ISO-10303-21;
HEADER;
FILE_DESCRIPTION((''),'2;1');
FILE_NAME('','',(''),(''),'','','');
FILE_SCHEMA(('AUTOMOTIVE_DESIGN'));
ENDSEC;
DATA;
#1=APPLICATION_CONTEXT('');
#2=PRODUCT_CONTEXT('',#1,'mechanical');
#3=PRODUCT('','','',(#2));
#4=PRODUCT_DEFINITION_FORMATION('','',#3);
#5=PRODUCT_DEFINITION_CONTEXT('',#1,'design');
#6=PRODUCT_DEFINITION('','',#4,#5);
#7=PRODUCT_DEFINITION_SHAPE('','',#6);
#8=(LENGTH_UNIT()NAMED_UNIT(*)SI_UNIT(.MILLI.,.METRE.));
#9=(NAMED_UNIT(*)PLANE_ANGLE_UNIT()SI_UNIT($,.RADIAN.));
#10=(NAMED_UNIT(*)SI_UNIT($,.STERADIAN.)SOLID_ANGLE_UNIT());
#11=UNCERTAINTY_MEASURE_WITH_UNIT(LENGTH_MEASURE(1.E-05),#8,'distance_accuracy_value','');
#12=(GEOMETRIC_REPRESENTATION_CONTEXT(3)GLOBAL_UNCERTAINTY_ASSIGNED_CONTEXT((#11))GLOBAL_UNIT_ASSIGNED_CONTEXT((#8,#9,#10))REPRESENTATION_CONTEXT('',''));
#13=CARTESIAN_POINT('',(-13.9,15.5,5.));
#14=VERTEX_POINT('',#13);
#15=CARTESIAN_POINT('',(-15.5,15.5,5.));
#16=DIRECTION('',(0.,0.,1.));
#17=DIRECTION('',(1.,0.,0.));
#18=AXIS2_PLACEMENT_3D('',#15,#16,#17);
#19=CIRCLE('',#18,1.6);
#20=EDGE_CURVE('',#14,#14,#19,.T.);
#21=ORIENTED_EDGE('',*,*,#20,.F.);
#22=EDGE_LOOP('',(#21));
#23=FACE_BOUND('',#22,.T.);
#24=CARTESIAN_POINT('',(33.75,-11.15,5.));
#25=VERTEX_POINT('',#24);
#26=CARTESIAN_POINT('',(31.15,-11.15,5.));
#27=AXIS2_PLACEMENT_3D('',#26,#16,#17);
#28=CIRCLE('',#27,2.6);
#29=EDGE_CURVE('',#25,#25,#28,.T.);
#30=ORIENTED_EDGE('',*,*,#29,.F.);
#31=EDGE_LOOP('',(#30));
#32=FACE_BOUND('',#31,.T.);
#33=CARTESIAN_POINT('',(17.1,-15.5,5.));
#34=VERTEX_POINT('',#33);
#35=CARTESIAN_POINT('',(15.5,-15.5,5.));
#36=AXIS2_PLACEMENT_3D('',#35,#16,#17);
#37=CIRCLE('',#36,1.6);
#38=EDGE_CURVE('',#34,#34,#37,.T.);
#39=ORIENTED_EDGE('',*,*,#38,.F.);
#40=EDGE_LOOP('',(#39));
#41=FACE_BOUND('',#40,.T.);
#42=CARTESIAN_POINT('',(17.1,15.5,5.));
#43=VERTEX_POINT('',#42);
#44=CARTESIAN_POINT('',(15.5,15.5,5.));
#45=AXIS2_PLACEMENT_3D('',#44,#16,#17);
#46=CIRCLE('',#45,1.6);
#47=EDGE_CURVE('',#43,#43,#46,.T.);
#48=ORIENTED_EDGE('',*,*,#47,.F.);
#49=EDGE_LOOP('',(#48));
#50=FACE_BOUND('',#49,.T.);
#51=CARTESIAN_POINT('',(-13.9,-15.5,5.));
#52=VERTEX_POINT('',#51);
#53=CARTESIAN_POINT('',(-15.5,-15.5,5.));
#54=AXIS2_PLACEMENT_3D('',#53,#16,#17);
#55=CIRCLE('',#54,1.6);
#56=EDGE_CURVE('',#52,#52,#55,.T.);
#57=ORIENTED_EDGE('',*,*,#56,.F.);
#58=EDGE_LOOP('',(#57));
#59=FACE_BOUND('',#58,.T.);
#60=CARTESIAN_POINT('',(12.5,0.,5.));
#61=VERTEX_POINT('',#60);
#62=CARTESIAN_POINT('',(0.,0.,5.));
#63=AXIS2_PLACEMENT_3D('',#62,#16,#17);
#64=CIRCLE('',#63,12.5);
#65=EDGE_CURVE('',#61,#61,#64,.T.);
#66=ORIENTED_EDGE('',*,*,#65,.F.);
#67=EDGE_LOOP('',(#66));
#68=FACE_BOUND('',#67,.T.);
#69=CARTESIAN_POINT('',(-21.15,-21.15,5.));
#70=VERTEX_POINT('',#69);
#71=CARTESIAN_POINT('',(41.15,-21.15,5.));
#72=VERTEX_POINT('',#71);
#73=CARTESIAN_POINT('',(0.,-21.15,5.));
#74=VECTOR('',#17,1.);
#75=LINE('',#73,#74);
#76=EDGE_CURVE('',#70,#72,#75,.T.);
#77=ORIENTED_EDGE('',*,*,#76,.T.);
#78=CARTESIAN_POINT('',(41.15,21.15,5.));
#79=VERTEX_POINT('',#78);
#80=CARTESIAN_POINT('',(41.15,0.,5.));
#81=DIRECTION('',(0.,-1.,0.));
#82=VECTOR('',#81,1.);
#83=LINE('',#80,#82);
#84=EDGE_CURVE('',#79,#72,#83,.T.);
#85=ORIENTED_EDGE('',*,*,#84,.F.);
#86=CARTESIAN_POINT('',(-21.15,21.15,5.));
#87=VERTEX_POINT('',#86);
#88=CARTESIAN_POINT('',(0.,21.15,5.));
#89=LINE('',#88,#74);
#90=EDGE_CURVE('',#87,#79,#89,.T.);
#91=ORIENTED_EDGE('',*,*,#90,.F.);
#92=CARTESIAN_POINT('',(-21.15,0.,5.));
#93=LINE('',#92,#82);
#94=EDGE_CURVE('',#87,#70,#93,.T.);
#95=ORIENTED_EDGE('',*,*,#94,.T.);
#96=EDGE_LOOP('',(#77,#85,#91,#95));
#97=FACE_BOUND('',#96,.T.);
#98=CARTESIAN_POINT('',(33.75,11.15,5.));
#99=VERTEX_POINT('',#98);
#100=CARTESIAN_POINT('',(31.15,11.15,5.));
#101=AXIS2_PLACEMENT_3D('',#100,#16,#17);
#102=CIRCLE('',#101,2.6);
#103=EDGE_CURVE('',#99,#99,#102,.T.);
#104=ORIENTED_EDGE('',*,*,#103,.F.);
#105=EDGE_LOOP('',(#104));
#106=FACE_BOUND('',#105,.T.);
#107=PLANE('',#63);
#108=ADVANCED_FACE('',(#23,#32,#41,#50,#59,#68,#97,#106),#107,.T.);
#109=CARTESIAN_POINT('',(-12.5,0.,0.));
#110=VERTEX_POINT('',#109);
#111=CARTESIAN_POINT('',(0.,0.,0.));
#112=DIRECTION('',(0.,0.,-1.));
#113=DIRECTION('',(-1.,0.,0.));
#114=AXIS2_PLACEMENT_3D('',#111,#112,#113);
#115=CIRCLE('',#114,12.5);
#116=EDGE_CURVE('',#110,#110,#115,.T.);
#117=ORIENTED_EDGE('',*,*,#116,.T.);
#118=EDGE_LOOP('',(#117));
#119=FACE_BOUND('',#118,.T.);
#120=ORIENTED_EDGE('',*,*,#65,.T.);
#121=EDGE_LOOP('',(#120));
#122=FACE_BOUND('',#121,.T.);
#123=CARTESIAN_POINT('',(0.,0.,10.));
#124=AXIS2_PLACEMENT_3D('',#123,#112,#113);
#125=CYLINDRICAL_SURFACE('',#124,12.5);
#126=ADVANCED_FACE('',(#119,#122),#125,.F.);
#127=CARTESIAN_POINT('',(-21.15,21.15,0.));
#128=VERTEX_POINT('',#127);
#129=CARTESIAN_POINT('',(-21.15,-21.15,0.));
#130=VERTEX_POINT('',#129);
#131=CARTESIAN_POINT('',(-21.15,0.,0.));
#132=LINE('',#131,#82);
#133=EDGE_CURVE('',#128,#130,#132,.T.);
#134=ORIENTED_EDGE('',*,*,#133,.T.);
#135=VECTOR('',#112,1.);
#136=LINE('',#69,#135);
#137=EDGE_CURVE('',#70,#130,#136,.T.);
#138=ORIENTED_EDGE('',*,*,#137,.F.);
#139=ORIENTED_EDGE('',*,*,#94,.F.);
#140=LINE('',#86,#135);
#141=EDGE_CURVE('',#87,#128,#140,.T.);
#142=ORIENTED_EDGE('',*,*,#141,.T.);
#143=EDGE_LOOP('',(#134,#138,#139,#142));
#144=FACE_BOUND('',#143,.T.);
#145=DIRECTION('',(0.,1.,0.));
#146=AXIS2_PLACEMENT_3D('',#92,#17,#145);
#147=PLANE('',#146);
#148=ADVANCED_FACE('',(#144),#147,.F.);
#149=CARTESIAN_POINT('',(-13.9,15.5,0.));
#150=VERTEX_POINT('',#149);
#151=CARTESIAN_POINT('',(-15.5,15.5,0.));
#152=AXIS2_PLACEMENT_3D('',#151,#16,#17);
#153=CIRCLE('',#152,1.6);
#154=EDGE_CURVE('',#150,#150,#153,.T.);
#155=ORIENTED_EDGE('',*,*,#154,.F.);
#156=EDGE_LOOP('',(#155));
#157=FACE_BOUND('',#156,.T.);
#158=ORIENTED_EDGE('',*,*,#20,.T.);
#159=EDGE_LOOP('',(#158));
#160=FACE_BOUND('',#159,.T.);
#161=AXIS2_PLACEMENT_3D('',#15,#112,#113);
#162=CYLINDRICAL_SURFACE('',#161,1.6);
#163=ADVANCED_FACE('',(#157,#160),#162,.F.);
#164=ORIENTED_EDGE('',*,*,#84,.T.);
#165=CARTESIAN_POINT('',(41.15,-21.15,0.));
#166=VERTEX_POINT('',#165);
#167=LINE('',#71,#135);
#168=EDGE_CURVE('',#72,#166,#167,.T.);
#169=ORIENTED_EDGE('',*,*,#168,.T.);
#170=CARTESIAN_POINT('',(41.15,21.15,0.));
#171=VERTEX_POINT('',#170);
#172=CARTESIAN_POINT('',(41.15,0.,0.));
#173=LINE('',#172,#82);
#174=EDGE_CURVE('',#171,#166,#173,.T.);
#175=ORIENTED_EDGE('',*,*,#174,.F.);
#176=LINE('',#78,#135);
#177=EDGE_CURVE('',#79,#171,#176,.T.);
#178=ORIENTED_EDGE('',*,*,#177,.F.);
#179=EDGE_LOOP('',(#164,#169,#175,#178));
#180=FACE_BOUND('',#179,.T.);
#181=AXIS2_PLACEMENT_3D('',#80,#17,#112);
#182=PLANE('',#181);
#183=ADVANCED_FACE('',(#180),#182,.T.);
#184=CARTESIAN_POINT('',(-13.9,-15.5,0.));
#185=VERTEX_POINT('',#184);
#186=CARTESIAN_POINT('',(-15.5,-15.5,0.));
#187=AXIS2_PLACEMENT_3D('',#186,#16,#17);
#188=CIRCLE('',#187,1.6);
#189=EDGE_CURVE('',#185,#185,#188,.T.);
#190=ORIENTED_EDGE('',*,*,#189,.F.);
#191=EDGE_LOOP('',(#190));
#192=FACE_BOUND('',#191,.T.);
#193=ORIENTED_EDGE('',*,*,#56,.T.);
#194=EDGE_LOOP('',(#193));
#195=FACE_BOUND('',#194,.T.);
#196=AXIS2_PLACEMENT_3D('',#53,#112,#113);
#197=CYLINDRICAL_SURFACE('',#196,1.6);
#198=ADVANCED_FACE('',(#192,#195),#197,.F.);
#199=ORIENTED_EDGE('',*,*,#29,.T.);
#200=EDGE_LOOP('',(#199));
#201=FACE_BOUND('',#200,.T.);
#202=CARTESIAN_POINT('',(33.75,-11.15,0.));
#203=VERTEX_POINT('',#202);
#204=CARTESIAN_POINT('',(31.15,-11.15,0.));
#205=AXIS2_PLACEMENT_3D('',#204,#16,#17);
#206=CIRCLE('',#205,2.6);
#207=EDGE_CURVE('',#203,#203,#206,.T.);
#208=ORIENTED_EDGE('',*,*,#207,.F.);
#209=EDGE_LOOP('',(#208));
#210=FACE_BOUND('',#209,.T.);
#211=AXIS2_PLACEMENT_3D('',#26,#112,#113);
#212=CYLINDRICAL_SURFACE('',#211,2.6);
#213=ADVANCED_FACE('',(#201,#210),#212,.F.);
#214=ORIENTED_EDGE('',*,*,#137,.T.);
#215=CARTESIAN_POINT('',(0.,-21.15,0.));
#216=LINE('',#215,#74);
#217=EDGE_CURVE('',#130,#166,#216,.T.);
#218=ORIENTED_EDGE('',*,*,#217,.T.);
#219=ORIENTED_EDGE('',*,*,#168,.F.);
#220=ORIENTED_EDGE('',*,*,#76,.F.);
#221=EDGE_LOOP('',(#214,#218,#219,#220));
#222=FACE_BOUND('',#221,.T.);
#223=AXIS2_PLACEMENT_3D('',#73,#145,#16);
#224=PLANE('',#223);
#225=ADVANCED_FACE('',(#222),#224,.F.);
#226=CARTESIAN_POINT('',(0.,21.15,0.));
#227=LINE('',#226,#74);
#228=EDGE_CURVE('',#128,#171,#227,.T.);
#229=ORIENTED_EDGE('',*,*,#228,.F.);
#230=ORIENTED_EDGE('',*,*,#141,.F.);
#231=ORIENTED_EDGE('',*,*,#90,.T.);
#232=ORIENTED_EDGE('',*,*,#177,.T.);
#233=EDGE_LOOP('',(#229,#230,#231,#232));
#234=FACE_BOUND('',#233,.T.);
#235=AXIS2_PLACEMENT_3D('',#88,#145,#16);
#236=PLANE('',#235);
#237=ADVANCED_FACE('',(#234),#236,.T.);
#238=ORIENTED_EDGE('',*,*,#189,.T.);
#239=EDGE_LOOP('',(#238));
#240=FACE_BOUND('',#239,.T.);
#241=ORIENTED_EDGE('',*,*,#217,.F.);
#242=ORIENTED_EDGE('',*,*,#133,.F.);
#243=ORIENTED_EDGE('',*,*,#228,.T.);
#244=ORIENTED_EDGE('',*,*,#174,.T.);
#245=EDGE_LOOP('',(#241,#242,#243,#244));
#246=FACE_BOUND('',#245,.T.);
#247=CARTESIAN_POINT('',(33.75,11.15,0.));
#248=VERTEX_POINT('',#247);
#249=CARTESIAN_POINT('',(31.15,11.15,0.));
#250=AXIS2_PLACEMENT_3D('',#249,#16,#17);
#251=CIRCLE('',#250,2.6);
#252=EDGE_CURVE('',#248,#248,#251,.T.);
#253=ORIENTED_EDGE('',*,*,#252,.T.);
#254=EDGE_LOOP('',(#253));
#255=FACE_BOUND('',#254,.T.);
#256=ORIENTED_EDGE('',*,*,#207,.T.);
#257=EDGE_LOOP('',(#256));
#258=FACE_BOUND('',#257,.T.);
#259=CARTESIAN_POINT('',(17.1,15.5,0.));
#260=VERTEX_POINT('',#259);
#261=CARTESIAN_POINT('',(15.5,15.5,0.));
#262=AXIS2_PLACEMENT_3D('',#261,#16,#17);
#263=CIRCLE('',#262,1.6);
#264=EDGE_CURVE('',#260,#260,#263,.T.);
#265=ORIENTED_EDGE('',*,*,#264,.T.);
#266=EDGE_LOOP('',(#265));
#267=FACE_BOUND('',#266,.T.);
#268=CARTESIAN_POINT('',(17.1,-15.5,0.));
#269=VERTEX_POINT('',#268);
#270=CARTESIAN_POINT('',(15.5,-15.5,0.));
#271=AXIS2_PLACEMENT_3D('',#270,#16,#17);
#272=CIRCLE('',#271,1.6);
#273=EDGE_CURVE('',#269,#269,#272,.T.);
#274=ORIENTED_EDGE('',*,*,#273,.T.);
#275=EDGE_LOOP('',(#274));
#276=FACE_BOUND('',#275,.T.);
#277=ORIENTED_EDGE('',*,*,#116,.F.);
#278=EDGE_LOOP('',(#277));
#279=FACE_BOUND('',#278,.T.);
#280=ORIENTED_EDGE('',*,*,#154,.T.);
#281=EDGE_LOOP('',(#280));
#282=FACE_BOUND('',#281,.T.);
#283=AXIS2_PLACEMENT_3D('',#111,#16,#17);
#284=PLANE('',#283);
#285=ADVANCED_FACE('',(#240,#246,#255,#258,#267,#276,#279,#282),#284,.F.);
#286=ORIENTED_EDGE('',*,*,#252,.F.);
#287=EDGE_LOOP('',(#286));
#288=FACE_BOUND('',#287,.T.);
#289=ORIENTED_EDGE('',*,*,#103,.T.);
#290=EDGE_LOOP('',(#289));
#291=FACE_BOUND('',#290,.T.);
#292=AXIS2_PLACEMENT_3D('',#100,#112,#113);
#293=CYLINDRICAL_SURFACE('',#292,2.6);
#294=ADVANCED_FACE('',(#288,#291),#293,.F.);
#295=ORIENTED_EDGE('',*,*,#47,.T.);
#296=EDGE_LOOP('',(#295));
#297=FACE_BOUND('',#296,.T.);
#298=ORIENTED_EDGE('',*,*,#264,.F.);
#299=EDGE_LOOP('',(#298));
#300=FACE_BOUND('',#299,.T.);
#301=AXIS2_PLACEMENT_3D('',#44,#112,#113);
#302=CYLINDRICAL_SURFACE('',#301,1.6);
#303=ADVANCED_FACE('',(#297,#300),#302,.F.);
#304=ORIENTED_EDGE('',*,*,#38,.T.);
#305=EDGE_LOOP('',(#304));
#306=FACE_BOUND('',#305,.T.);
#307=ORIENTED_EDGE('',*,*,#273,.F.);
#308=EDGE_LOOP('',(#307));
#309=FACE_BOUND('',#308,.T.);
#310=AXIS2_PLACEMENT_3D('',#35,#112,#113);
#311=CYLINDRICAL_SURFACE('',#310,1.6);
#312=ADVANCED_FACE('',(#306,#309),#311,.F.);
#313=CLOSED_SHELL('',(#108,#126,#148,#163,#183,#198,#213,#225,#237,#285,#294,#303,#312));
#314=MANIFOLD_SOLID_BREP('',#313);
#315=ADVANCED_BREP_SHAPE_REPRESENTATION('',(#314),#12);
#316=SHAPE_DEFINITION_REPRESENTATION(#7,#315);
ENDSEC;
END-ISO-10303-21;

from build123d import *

# Parameters (mm, degrees)
SKETCH2_W           = 42.3
SKETCH2_H           = 42.3
SKETCH2_R           = 1.6
SKETCH2_W_2         = 20
SKETCH2_R_2         = 2.6
BOSS_EXTRUDE1_DEPTH = 5
SKETCH3_R           = 12.5
CUT_EXTRUDE1_DEPTH  = 10


with BuildPart() as part:
    # Sketch2 → Boss-Extrude1 (new body)
    with BuildSketch(Plane.XY):
        Rectangle(SKETCH2_W, SKETCH2_H)
        with Locations((-15.5, -15.5)):
            Circle(SKETCH2_R, mode=Mode.SUBTRACT)
        with Locations((15.5, 15.5)):
            Circle(SKETCH2_R, mode=Mode.SUBTRACT)
        with Locations((15.5, -15.5)):
            Circle(SKETCH2_R, mode=Mode.SUBTRACT)
        with Locations((-15.5, 15.5)):
            Circle(SKETCH2_R, mode=Mode.SUBTRACT)
        with Locations((31.15, 0)):
            Rectangle(SKETCH2_W_2, SKETCH2_H)
        with Locations((31.15, -11.15)):
            Circle(SKETCH2_R_2, mode=Mode.SUBTRACT)
        with Locations((31.15, 11.15)):
            Circle(SKETCH2_R_2, mode=Mode.SUBTRACT)
    extrude(amount=BOSS_EXTRUDE1_DEPTH)

    # Sketch3 → Cut-Extrude1 (cut)
    with BuildSketch(Plane(origin=(0, 0, 0), x_dir=(-1, 0, 0), z_dir=(0, 0, -1))):
        Circle(SKETCH3_R)
    extrude(amount=-CUT_EXTRUDE1_DEPTH, mode=Mode.SUBTRACT)


solid = part.part
